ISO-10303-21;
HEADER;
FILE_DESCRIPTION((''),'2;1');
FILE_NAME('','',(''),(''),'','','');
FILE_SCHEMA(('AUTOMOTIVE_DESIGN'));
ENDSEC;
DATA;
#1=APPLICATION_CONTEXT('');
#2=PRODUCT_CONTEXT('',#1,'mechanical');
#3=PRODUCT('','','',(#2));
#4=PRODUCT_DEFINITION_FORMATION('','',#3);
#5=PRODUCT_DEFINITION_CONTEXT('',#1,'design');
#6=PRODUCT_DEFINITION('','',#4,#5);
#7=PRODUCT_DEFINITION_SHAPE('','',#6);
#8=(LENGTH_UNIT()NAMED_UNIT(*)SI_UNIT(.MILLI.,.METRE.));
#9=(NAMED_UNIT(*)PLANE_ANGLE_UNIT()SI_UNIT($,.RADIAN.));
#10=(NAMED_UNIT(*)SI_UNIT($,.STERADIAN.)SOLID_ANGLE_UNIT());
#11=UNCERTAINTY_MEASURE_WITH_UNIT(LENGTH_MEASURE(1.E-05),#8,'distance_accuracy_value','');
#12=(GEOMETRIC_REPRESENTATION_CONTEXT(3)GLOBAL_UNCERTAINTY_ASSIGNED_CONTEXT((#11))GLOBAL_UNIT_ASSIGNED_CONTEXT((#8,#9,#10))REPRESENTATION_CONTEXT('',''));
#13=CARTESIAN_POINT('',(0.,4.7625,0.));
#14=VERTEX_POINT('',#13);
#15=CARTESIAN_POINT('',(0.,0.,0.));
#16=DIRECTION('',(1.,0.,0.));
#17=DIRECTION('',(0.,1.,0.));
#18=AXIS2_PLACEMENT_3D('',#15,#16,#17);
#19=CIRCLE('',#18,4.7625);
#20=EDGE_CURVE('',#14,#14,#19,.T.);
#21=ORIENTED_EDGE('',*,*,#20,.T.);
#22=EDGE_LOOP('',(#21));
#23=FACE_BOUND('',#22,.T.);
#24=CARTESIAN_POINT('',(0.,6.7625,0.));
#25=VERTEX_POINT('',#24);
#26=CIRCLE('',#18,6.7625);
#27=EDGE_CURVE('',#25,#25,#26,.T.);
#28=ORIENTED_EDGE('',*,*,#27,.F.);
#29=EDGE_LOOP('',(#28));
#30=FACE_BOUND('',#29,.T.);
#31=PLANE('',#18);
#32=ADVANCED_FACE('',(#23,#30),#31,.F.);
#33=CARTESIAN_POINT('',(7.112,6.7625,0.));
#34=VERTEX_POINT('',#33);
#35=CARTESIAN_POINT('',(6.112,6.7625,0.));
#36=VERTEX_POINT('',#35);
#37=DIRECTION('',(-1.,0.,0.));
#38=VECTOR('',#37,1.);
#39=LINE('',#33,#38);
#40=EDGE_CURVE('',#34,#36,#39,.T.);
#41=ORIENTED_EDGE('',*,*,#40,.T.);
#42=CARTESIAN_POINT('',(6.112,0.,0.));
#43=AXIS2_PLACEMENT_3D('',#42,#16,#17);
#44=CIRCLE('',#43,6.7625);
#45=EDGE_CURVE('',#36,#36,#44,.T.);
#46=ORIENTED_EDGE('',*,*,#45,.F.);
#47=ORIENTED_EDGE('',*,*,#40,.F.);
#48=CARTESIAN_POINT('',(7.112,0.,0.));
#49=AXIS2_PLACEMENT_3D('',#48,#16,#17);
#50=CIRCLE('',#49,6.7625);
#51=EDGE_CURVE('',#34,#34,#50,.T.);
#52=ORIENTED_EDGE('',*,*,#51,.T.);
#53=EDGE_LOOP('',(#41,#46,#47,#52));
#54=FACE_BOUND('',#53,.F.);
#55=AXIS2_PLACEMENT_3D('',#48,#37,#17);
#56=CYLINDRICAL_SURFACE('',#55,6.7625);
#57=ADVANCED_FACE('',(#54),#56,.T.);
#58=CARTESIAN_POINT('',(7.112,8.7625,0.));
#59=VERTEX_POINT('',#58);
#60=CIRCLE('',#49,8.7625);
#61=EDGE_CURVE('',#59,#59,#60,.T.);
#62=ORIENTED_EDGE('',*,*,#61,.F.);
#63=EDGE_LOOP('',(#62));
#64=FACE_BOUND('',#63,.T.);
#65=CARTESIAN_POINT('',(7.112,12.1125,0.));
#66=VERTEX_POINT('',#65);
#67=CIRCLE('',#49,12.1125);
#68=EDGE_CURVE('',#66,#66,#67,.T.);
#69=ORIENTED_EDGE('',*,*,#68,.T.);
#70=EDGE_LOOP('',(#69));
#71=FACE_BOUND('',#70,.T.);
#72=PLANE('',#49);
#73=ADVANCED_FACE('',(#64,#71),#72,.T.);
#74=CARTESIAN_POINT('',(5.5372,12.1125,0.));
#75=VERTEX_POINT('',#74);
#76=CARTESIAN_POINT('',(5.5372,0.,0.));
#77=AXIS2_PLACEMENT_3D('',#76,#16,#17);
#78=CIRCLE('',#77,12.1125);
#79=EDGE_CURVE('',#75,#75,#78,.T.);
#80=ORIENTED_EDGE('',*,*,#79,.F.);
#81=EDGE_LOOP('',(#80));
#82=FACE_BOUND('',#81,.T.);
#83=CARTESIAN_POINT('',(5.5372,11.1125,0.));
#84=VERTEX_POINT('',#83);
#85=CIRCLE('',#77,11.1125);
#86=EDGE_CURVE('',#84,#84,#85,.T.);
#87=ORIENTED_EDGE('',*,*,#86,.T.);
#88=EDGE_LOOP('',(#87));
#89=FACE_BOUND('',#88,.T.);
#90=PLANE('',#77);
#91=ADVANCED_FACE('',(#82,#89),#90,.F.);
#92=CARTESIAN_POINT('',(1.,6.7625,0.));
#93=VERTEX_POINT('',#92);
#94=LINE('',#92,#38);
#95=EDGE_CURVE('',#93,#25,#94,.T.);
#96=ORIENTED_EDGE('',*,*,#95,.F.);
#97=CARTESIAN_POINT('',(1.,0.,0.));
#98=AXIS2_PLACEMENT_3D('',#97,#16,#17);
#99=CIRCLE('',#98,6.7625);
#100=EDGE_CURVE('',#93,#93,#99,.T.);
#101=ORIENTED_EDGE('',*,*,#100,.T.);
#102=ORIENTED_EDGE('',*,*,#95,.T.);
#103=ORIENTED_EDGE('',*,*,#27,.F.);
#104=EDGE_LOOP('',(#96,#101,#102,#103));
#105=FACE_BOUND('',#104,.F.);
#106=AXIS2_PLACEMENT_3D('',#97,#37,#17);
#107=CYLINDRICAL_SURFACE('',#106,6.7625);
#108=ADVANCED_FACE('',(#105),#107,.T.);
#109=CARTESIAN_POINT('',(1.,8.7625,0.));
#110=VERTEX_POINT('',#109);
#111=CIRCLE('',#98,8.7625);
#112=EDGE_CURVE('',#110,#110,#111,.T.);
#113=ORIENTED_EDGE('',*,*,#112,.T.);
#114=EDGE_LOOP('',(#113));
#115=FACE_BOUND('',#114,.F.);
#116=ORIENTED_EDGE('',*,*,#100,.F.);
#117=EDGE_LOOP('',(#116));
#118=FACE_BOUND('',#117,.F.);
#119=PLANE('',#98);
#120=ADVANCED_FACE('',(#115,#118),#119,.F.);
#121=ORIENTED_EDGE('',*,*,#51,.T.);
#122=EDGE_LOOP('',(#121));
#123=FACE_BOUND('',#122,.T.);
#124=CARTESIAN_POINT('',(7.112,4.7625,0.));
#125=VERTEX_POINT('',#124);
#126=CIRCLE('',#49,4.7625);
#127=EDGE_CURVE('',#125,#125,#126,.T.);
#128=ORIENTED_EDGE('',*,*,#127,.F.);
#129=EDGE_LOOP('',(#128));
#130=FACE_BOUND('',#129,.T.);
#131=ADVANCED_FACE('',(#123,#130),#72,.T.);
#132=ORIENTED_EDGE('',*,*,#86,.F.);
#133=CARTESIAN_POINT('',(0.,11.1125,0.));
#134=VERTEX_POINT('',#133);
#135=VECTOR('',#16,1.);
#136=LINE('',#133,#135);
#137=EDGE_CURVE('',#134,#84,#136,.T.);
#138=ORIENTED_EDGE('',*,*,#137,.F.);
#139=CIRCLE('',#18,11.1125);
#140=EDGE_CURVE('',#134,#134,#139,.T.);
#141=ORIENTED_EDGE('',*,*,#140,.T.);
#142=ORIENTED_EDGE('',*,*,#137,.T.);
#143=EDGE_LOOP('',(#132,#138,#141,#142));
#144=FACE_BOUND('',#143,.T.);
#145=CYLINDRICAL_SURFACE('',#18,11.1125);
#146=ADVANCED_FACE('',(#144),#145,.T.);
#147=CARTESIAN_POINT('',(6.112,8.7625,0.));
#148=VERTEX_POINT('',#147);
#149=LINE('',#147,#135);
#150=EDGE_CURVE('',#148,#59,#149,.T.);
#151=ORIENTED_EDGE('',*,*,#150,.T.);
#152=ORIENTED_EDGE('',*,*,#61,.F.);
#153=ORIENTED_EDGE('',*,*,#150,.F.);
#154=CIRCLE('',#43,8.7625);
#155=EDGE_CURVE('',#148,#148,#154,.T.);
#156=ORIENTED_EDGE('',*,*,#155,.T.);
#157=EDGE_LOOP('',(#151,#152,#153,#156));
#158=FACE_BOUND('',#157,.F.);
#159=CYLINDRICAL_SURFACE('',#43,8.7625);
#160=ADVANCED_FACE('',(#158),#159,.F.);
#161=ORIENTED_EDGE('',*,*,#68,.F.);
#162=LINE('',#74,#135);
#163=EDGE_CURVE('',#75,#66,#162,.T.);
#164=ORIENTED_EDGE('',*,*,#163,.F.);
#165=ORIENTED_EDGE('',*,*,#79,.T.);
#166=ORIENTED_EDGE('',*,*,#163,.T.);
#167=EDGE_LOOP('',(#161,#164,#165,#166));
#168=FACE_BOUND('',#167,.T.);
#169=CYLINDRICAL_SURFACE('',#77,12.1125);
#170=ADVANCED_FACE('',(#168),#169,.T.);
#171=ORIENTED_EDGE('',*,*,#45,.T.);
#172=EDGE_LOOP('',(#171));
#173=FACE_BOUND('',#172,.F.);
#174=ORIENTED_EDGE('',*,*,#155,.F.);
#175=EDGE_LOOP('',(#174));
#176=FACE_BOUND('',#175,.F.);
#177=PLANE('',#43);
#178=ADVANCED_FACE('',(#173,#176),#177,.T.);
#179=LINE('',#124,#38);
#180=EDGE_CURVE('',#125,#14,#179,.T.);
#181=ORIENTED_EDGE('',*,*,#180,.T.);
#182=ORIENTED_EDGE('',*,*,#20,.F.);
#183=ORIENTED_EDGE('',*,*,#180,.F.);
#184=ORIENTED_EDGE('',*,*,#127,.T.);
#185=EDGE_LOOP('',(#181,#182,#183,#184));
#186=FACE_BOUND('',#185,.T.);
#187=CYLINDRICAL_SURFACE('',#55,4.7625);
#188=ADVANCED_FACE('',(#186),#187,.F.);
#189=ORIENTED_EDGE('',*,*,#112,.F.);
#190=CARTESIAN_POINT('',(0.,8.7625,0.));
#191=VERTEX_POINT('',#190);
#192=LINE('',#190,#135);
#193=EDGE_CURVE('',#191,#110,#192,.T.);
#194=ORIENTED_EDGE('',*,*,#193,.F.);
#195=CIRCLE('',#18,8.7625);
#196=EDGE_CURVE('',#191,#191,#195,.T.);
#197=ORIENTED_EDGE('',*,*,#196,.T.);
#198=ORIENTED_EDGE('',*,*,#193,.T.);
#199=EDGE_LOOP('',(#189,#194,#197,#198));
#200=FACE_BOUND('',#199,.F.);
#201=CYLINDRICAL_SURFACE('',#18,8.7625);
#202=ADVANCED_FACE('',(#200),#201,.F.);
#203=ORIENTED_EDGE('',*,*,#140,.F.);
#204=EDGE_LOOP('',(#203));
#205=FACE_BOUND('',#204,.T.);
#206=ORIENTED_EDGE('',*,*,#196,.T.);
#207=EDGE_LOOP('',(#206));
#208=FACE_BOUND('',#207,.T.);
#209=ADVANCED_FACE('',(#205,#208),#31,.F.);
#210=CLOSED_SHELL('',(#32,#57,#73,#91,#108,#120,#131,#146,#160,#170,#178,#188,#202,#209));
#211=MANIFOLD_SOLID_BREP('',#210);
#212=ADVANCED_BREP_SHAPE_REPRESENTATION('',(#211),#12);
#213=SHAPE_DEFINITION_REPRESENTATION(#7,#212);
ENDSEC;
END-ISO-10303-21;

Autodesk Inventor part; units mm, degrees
ref_plane "YZ Plane" through (0, 0, 0) normal (1, 0, 0) x (0, 1, 0)
ref_plane "XZ Plane" through (0, 0, 0) normal (0, 1, 0) x (-1, 0, 0)
ref_plane "XY Plane" through (0, 0, 0) normal (0, 0, 1) x (1, 0, 0)
sketch "Sketch1" plane through (0, 0, 0) normal (0, 0, 1) x (1, 0, 0)
  line L0 (0, 11.1125) -> (5.5372, 11.1125)
  line L1 (5.5372, 11.1125) -> (5.5372, 12.1125)
  line L2 (5.5372, 12.1125) -> (7.112, 12.1125)
  line L3 (7.112, 12.1125) -> (7.112, 4.7625)
  line L4 (7.112, 4.7625) -> (0, 4.7625)
  line L5 (0, 4.7625) -> (0, 11.1125)
  line L6 (0, 0) -> (7.112, 0)
  line L7 (0, 8.7625) -> (1, 8.7625)
  line L8 (1, 8.7625) -> (1, 6.7625)
  line L9 (1, 6.7625) -> (0, 6.7625)
  line L10 (0, 6.7625) -> (0, 8.7625)
  line L11 (7.112, 6.7625) -> (6.112, 6.7625)
  line L12 (6.112, 6.7625) -> (6.112, 8.7625)
  line L13 (6.112, 8.7625) -> (7.112, 8.7625)
  line L14 (7.112, 8.7625) -> (7.112, 6.7625)
  dimension "d0" = 7.112
  dimension "d2" = 9.525
  dimension "d3" = 22.225
  dimension "d4" = 1.5748
  dimension "d5" = 1
  dimension "d7" = 1
  dimension "d8" = 2
  dimension "d9" = 2
revolve "Revolution1" add sketch "Sketch1" angle 360 about axis through (0, 0, 0) along (1, 0, 0) contours L0 L1 L2 L3 L13 L12 L11 L4 L5 L9 L8 L7
properties part number "RoundBearing-1-2-inch"
